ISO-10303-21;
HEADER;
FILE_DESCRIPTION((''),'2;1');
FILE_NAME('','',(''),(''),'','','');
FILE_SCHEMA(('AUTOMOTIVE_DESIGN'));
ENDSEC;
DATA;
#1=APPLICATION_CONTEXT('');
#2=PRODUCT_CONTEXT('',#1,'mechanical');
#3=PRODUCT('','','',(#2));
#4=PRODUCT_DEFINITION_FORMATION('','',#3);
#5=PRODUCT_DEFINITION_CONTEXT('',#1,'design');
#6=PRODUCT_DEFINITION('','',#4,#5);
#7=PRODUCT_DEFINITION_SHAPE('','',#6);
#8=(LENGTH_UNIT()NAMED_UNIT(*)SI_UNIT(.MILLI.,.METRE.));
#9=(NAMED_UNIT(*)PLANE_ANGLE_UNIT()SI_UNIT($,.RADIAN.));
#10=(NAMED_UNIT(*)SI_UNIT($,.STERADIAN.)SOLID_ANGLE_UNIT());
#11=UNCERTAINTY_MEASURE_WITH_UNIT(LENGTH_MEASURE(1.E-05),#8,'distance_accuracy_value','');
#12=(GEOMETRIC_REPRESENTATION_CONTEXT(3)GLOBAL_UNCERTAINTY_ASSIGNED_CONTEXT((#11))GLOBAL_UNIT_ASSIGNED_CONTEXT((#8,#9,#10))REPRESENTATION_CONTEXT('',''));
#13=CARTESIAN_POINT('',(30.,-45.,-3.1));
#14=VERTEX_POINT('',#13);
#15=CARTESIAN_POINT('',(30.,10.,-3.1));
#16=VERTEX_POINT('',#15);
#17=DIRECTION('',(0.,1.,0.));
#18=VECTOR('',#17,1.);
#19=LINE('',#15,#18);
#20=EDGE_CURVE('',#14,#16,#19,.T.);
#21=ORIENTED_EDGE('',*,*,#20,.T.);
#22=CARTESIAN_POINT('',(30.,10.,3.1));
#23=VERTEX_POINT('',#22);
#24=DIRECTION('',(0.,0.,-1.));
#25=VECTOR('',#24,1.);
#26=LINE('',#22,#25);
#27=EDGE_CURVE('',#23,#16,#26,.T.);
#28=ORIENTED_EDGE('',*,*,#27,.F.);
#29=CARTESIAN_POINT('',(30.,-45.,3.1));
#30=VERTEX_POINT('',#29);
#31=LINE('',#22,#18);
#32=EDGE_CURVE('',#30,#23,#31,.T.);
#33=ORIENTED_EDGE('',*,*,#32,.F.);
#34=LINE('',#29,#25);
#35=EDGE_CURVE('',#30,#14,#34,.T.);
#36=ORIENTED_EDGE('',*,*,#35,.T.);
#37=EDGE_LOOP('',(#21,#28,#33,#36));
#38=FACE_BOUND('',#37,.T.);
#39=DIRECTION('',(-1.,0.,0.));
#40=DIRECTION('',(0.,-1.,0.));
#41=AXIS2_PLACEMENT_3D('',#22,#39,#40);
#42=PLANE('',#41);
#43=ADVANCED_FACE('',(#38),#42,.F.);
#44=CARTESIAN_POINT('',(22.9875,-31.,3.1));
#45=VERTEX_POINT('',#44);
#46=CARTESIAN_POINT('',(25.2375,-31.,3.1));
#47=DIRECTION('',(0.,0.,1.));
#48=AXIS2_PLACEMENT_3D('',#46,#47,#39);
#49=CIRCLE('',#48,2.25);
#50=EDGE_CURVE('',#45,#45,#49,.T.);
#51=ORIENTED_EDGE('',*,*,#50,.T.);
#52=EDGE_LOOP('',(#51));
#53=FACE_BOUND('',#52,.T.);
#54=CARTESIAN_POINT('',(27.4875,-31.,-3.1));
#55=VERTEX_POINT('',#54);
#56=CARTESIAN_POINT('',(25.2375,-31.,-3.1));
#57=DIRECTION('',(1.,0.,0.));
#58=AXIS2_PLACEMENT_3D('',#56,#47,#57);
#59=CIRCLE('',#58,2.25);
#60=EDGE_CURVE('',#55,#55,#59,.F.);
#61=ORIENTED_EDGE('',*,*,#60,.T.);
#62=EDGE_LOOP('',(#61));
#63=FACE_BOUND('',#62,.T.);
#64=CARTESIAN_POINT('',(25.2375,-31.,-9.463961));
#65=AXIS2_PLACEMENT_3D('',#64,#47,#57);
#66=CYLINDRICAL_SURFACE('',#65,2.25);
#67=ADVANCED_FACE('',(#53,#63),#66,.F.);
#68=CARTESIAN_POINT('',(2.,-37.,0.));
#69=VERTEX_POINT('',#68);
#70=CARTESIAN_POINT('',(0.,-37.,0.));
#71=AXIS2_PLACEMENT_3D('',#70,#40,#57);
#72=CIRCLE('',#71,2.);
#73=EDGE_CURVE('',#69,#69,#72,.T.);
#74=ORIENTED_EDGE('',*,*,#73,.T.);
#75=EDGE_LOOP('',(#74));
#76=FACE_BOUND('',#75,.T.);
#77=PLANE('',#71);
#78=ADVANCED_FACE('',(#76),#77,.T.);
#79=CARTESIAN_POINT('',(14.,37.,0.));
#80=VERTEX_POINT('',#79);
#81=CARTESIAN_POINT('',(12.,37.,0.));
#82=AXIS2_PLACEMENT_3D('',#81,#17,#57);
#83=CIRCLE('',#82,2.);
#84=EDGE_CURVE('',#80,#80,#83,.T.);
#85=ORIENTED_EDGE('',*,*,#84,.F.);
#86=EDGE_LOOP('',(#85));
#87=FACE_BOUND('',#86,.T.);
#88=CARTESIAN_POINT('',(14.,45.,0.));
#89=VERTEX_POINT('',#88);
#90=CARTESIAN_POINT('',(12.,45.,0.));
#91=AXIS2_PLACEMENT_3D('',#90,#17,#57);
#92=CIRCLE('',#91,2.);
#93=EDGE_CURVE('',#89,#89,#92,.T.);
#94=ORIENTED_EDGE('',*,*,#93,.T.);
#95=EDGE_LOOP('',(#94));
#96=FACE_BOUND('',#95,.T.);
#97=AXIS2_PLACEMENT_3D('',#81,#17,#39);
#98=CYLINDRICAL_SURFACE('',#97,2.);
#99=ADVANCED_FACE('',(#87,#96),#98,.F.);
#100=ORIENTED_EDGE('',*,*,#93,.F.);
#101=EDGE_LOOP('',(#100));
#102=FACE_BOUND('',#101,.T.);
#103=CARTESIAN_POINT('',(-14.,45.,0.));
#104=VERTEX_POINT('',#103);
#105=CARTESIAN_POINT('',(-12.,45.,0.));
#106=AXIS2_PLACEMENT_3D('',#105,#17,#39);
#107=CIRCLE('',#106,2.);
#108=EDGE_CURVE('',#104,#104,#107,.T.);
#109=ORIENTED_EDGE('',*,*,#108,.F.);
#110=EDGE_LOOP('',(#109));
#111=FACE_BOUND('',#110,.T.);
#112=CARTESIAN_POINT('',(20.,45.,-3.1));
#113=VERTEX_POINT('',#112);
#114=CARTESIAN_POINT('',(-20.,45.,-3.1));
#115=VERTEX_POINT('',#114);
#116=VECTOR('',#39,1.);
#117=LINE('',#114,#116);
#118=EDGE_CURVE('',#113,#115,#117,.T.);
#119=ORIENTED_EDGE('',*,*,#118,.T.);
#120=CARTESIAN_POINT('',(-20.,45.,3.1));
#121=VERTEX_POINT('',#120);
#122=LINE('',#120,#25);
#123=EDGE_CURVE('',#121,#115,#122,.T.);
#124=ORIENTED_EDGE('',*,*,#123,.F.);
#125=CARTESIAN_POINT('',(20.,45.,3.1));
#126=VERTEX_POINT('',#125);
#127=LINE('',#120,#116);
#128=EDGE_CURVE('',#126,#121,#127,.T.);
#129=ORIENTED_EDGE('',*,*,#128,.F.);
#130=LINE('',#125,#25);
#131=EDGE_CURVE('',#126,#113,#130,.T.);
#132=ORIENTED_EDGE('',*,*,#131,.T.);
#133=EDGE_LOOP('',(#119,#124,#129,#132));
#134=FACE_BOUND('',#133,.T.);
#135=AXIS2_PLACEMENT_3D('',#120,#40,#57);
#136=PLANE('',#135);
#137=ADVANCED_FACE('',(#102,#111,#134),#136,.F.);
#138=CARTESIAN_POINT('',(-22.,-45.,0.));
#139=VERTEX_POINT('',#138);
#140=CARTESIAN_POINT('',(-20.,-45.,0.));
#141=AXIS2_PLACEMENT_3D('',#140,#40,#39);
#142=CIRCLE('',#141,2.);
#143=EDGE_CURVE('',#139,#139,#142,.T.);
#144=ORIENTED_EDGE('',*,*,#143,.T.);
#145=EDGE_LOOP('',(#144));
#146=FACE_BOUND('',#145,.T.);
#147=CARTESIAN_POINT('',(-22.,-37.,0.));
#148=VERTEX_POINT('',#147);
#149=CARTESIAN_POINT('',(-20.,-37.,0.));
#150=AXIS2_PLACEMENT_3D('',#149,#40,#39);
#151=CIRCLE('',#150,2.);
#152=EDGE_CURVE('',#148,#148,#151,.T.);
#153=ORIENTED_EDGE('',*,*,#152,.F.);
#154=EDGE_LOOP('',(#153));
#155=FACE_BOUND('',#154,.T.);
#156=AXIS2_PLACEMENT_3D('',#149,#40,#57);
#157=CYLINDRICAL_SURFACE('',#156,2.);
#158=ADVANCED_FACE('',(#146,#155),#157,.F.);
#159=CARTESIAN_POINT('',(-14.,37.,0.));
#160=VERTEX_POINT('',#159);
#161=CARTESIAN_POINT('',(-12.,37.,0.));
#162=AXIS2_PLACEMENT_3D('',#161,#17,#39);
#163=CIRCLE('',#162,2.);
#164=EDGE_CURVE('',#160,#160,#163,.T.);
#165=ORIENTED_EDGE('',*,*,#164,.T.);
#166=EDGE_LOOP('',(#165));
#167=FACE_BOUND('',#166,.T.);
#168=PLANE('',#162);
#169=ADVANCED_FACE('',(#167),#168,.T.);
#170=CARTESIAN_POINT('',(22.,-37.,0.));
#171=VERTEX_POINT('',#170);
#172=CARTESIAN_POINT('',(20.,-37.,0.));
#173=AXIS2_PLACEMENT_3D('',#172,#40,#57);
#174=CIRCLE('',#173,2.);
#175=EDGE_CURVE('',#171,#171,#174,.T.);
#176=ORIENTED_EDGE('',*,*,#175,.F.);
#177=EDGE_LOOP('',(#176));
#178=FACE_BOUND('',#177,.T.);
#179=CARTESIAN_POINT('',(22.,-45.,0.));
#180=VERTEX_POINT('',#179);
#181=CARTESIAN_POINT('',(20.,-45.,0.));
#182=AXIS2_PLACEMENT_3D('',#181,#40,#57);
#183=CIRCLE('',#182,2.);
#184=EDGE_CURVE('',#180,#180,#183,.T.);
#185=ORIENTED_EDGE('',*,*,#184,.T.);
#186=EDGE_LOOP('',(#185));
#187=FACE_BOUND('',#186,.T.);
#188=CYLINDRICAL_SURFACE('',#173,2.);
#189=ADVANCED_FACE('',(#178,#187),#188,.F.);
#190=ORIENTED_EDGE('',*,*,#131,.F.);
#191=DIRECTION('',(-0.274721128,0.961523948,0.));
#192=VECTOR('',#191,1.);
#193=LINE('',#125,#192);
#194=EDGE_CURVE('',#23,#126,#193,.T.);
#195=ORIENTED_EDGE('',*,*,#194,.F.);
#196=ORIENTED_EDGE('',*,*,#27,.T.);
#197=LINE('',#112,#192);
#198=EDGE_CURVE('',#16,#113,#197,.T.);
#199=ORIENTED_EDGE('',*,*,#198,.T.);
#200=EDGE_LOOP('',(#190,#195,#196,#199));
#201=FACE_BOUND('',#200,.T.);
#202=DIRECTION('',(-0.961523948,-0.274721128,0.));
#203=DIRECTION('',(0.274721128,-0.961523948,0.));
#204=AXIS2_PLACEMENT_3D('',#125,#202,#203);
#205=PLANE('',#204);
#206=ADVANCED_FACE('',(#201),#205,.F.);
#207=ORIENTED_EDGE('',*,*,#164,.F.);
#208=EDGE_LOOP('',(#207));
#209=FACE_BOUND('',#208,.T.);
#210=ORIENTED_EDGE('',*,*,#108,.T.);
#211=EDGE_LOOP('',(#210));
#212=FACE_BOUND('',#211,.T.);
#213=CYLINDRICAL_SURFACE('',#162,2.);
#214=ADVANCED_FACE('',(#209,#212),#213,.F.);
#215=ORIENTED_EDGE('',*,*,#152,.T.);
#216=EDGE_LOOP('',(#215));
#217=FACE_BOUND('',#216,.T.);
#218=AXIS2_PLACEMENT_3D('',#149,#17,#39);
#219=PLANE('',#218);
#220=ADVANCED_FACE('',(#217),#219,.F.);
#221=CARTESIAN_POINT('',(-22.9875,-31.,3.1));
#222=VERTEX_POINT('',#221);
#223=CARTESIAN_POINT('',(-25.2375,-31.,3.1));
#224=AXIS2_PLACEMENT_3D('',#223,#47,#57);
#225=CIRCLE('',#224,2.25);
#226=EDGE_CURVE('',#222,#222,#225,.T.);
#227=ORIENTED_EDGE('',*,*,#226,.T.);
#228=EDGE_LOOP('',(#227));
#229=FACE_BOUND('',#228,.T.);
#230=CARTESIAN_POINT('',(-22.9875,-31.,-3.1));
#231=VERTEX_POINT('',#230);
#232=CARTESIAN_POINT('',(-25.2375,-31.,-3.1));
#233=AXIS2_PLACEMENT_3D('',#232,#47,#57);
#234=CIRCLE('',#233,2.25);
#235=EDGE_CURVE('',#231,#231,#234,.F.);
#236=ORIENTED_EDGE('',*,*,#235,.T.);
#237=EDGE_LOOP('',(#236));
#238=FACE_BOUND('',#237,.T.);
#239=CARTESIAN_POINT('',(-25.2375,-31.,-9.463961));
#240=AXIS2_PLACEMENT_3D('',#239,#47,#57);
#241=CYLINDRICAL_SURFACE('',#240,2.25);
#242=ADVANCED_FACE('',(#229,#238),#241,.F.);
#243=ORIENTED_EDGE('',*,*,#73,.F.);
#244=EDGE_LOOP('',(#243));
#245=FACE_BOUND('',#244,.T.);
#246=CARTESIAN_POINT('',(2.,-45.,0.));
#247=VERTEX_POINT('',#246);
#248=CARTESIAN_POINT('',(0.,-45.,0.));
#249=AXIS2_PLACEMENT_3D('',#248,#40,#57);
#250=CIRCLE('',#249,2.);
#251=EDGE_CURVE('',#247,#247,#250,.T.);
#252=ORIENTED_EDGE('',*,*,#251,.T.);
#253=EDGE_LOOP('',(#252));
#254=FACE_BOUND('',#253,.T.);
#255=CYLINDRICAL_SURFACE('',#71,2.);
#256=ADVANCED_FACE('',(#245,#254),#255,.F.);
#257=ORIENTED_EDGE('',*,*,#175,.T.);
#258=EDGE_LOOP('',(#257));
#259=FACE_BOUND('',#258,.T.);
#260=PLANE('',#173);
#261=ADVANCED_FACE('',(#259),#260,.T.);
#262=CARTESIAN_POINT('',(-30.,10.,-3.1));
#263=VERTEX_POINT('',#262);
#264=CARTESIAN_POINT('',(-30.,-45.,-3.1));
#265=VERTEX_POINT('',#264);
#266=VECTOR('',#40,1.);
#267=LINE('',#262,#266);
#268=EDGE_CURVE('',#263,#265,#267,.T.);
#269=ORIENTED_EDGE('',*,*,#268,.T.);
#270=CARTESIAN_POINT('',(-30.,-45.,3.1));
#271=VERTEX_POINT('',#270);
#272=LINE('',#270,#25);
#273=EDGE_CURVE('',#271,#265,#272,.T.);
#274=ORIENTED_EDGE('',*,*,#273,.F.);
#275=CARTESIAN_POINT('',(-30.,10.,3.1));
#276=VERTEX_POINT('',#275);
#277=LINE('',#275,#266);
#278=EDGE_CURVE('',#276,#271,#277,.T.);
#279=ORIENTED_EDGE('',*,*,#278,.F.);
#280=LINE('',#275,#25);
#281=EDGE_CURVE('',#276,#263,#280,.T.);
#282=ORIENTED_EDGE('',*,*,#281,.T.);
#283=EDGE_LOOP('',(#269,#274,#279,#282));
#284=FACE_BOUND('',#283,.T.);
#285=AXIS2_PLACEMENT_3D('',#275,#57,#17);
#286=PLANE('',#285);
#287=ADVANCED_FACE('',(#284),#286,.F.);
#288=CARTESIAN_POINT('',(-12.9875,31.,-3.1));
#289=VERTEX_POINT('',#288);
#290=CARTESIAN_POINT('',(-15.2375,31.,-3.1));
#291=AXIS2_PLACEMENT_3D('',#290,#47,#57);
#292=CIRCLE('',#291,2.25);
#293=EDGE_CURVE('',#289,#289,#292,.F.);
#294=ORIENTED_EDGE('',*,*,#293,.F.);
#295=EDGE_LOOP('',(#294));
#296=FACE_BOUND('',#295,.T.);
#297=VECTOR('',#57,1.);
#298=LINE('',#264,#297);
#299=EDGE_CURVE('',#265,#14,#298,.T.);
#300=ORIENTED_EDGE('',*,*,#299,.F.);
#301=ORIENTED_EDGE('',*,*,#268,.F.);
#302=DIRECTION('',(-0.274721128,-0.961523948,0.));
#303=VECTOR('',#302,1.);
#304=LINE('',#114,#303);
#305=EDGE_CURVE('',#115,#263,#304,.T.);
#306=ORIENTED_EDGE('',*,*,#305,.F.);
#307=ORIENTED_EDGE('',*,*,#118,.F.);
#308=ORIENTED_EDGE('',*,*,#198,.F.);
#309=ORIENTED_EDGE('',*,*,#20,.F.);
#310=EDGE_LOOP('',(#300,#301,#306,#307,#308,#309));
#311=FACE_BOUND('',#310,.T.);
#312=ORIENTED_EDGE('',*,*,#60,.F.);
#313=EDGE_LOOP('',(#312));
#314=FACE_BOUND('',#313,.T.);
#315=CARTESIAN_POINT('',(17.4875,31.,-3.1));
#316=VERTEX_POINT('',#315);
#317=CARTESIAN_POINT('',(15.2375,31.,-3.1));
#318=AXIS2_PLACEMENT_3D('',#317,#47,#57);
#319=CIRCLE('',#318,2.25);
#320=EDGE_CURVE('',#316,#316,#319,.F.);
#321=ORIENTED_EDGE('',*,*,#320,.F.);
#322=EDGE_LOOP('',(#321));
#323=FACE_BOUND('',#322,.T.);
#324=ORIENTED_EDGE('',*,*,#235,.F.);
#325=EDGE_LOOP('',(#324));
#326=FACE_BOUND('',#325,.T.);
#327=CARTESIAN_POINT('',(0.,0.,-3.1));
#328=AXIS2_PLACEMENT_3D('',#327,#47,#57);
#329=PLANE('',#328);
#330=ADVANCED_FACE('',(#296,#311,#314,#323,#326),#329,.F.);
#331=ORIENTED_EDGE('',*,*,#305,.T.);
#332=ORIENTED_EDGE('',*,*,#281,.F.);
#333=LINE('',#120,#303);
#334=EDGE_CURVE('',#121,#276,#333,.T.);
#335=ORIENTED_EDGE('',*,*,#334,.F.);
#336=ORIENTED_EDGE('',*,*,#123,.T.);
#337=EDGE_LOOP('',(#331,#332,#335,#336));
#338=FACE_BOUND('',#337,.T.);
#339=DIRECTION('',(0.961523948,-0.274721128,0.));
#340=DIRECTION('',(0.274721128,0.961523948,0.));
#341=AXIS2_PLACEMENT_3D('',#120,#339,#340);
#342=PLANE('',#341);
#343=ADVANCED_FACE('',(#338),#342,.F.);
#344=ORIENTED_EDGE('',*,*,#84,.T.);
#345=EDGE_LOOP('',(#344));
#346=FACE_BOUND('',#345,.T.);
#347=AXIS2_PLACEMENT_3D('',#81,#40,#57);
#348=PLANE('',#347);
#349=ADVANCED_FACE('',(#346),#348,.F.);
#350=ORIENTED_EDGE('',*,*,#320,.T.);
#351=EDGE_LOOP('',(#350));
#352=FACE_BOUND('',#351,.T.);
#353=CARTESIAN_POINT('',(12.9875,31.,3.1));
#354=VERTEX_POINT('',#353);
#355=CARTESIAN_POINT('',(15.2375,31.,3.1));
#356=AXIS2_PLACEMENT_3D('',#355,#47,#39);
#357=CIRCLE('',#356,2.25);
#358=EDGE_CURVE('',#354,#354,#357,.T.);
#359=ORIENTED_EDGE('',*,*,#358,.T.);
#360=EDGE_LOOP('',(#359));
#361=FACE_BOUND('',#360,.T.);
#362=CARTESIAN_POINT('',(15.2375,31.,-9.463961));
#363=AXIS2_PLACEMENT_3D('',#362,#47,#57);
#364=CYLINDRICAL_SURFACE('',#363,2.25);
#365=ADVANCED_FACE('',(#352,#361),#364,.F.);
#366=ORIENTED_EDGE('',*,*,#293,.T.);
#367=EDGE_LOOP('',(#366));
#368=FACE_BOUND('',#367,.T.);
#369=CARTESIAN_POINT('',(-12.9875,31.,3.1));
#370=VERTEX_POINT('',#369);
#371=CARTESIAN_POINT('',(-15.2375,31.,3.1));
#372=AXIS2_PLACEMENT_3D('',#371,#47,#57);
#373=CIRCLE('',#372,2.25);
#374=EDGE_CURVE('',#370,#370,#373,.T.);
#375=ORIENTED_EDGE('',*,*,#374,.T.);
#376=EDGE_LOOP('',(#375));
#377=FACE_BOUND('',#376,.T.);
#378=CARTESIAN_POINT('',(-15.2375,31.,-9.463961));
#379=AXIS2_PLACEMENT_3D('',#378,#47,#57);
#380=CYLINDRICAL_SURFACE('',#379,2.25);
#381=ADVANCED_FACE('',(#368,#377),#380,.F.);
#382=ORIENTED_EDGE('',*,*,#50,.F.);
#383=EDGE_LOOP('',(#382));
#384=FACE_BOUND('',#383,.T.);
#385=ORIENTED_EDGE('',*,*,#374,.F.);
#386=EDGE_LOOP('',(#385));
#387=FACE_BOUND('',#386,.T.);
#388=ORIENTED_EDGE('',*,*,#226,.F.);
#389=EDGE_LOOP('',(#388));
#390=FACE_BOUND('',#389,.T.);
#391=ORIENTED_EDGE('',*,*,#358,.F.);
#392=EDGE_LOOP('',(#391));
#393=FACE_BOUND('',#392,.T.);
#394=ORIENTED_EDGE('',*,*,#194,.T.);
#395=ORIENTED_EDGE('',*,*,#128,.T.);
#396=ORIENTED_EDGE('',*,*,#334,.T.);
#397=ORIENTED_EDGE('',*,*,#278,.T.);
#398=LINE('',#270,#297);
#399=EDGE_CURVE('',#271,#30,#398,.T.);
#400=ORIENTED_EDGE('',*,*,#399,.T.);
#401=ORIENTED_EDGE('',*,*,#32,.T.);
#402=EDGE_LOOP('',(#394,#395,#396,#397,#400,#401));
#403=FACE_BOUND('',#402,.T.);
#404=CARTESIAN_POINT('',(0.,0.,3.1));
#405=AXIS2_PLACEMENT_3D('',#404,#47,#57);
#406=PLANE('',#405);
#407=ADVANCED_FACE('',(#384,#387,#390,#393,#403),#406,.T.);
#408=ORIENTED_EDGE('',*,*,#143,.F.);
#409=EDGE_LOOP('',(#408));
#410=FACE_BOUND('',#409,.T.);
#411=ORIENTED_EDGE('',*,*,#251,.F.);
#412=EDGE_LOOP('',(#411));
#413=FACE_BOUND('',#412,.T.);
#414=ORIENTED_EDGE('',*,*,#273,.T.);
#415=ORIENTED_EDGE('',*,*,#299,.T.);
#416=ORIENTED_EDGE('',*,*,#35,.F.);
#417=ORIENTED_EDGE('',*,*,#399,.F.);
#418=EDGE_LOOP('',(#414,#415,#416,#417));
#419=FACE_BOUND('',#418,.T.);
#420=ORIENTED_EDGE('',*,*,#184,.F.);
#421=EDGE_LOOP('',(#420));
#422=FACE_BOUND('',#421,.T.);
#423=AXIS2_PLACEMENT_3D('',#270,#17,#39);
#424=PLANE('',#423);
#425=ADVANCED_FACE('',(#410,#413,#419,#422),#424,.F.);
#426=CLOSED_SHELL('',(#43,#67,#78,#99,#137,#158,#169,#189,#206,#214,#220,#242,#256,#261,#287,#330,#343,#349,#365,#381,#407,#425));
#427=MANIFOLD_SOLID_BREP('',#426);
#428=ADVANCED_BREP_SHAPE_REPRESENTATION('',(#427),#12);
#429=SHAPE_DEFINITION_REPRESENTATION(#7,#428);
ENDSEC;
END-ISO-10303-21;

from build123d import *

# Parameters (mm, degrees)
EXTRUDE_1_4_DEPTH = 3.1
SKETCH4_R         = 2
M4_DRILL_DEPTH    = 8
SKETCH5_R         = 2
M4_DRILL2_DEPTH   = 8
SKETCH6_R         = 2.25
M4_THROUGH_DEPTH  = 6.2


with BuildPart() as part:
    # Sketch1 → 1/4 (new, symmetric)
    with BuildSketch(Plane.XY):
        Polygon((-20, 45), (20, 45), (30, 10), (30, -45), (-30, -45), (-30, 10), align=None)
    extrude(amount=EXTRUDE_1_4_DEPTH, both=True)

    # Sketch4 → M4_DRILL (cut)
    with BuildSketch(Plane(origin=(0, 45, 0), x_dir=(1, 0, 0), z_dir=(0, 1, 0))):
        with Locations(Location((-12, 0, 0), (0, 0, 180))):
            Circle(SKETCH4_R)
        with Locations((12, 0)):
            Circle(SKETCH4_R)
    extrude(amount=-M4_DRILL_DEPTH, mode=Mode.SUBTRACT)

    # Sketch5 → M4_DRILL2 (cut)
    with BuildSketch(Plane(origin=(0, -45, 0), x_dir=(-1, 0, 0), z_dir=(0, -1, 0))):
        with Locations(Location((-20, 0, 0), (0, 0, 180))):
            Circle(SKETCH5_R)
        with Locations((20, 0)):
            Circle(SKETCH5_R)
        with Locations(Location((0, 0, 0), (0, 0, 180))):
            Circle(SKETCH5_R)
    extrude(amount=-M4_DRILL2_DEPTH, mode=Mode.SUBTRACT)

    # Sketch6 → M4_through (cut)
    with BuildSketch(Plane.XY.offset(3.1)):
        with Locations((-25.2375, -31)):
            Circle(SKETCH6_R)
        with Locations((25.2375, -31)):
            Circle(SKETCH6_R)
        with Locations((-15.2375, 31)):
            Circle(SKETCH6_R)
        with Locations((15.2375, 31)):
            Circle(SKETCH6_R)
    extrude(amount=-M4_THROUGH_DEPTH, mode=Mode.SUBTRACT)


solid = part.part
